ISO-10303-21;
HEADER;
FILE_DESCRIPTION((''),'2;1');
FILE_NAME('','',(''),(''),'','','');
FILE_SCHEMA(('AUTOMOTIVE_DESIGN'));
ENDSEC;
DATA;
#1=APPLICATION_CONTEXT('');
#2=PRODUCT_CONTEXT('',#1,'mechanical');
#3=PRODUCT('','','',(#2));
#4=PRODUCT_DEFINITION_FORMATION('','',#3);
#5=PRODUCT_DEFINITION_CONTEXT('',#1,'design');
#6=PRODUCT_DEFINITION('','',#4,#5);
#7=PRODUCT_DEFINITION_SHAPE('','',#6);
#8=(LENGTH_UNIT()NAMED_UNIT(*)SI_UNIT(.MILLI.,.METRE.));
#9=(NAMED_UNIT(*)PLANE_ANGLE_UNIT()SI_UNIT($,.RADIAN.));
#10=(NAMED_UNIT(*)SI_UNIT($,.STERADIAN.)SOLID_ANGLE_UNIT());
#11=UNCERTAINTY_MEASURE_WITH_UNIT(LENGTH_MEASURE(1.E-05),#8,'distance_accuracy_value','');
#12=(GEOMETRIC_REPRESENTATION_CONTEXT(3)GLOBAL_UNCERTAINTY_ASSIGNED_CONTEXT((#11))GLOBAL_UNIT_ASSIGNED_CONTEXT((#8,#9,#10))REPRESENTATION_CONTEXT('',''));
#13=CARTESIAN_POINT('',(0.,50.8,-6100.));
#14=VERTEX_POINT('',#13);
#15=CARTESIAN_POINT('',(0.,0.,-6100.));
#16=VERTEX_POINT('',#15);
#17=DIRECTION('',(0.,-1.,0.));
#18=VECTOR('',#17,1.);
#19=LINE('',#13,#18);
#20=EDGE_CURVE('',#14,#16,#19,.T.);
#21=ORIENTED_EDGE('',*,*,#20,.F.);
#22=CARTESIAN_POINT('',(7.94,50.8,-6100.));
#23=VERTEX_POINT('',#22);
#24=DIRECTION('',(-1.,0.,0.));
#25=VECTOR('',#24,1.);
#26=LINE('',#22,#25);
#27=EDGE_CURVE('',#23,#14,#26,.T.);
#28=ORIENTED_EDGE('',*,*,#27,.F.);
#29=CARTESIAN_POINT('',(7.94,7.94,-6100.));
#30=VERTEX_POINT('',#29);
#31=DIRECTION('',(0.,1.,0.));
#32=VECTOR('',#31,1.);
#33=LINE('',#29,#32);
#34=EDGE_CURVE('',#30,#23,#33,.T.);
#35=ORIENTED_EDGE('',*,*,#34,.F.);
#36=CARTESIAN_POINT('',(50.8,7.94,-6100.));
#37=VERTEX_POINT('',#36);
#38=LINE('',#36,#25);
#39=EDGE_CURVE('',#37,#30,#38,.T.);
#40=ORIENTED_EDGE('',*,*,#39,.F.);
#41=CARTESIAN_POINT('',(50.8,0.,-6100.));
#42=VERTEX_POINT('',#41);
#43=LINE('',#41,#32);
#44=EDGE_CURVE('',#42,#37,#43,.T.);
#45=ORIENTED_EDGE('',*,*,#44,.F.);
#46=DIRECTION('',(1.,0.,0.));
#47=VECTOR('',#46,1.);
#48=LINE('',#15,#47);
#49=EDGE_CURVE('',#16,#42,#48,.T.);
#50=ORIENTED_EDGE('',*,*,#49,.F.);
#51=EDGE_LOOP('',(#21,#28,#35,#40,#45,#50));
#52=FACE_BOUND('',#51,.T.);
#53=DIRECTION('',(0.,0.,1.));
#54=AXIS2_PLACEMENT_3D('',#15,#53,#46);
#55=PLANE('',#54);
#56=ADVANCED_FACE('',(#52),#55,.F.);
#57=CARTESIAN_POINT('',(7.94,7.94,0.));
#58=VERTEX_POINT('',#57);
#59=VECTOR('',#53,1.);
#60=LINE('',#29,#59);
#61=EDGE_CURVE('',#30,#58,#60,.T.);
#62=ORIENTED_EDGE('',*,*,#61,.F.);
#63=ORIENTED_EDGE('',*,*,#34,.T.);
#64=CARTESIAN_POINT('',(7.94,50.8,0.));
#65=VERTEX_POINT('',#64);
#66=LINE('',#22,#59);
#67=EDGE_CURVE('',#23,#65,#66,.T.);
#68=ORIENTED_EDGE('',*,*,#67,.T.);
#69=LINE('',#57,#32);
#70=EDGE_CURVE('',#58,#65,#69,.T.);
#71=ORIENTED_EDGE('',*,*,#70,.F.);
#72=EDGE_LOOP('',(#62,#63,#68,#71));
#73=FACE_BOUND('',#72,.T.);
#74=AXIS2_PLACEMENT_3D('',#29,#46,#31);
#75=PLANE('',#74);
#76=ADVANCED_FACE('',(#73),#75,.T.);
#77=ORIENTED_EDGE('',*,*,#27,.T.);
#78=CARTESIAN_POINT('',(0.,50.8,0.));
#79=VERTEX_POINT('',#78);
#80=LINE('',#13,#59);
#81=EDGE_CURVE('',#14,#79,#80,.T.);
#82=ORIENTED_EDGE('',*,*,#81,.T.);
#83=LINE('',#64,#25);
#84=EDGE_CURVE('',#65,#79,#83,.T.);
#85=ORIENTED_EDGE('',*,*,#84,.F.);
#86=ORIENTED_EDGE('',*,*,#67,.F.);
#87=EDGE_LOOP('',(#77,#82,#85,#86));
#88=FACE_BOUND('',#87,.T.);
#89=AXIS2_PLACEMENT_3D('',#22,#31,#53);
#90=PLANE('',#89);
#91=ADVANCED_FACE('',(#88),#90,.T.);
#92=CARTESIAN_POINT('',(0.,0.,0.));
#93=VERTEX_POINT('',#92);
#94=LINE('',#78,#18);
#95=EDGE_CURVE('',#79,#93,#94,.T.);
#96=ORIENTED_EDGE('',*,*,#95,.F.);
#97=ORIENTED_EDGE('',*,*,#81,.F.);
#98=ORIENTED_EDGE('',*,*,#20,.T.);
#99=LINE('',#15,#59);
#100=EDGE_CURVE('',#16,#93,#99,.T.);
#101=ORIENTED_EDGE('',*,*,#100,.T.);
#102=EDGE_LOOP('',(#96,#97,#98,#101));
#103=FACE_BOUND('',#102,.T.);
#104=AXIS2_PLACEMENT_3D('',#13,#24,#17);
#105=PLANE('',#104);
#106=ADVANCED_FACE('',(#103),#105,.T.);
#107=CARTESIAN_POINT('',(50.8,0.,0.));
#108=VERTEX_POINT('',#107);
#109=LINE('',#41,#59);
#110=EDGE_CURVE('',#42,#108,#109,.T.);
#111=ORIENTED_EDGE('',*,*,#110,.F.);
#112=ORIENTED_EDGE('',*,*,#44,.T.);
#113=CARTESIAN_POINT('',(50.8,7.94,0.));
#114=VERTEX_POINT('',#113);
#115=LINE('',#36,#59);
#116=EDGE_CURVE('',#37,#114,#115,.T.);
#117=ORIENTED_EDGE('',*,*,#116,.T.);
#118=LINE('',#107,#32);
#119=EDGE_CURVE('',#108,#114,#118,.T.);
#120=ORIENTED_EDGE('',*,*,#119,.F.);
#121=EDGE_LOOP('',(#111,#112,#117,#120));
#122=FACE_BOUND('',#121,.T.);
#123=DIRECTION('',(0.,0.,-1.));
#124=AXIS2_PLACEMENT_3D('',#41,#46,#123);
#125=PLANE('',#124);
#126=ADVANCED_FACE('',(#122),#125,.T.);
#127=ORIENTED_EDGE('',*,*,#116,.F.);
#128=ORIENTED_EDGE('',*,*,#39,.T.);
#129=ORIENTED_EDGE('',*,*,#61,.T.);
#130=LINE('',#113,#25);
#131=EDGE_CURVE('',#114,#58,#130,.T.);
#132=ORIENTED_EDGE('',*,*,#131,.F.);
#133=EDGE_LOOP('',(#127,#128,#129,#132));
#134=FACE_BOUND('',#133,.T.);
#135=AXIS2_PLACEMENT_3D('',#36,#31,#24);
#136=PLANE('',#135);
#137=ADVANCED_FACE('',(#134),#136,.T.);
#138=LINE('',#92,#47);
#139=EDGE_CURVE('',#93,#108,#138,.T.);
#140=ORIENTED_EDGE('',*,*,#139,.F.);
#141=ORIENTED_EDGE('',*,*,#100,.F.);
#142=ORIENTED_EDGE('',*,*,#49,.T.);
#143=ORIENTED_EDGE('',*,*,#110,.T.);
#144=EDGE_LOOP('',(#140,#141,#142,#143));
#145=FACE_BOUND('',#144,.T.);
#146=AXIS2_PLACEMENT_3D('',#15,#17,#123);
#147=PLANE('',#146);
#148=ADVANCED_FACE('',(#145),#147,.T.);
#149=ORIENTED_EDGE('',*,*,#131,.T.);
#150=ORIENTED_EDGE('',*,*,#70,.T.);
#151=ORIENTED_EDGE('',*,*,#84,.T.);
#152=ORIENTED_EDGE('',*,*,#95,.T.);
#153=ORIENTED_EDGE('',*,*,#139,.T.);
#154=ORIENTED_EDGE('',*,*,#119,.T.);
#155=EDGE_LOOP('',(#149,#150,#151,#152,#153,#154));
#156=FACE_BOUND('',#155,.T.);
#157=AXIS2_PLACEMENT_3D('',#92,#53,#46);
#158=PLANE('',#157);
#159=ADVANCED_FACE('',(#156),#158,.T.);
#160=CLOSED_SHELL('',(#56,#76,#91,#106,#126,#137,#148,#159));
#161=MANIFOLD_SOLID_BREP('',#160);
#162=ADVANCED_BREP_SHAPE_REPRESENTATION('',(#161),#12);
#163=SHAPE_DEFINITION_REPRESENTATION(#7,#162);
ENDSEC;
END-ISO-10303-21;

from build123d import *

# Parameters (mm, degrees)
SALIENTE_EXTRUIR1_DEPTH = 6100


with BuildPart() as part:
    # Croquis1 → Saliente-Extruir1 (new body)
    with BuildSketch(Plane.XY):
        Polygon((0, 50.8), (0, 0), (50.8, 0), (50.8, 7.94), (7.94, 7.94), (7.94, 50.8), align=None)
    extrude(amount=-SALIENTE_EXTRUIR1_DEPTH)


solid = part.part
